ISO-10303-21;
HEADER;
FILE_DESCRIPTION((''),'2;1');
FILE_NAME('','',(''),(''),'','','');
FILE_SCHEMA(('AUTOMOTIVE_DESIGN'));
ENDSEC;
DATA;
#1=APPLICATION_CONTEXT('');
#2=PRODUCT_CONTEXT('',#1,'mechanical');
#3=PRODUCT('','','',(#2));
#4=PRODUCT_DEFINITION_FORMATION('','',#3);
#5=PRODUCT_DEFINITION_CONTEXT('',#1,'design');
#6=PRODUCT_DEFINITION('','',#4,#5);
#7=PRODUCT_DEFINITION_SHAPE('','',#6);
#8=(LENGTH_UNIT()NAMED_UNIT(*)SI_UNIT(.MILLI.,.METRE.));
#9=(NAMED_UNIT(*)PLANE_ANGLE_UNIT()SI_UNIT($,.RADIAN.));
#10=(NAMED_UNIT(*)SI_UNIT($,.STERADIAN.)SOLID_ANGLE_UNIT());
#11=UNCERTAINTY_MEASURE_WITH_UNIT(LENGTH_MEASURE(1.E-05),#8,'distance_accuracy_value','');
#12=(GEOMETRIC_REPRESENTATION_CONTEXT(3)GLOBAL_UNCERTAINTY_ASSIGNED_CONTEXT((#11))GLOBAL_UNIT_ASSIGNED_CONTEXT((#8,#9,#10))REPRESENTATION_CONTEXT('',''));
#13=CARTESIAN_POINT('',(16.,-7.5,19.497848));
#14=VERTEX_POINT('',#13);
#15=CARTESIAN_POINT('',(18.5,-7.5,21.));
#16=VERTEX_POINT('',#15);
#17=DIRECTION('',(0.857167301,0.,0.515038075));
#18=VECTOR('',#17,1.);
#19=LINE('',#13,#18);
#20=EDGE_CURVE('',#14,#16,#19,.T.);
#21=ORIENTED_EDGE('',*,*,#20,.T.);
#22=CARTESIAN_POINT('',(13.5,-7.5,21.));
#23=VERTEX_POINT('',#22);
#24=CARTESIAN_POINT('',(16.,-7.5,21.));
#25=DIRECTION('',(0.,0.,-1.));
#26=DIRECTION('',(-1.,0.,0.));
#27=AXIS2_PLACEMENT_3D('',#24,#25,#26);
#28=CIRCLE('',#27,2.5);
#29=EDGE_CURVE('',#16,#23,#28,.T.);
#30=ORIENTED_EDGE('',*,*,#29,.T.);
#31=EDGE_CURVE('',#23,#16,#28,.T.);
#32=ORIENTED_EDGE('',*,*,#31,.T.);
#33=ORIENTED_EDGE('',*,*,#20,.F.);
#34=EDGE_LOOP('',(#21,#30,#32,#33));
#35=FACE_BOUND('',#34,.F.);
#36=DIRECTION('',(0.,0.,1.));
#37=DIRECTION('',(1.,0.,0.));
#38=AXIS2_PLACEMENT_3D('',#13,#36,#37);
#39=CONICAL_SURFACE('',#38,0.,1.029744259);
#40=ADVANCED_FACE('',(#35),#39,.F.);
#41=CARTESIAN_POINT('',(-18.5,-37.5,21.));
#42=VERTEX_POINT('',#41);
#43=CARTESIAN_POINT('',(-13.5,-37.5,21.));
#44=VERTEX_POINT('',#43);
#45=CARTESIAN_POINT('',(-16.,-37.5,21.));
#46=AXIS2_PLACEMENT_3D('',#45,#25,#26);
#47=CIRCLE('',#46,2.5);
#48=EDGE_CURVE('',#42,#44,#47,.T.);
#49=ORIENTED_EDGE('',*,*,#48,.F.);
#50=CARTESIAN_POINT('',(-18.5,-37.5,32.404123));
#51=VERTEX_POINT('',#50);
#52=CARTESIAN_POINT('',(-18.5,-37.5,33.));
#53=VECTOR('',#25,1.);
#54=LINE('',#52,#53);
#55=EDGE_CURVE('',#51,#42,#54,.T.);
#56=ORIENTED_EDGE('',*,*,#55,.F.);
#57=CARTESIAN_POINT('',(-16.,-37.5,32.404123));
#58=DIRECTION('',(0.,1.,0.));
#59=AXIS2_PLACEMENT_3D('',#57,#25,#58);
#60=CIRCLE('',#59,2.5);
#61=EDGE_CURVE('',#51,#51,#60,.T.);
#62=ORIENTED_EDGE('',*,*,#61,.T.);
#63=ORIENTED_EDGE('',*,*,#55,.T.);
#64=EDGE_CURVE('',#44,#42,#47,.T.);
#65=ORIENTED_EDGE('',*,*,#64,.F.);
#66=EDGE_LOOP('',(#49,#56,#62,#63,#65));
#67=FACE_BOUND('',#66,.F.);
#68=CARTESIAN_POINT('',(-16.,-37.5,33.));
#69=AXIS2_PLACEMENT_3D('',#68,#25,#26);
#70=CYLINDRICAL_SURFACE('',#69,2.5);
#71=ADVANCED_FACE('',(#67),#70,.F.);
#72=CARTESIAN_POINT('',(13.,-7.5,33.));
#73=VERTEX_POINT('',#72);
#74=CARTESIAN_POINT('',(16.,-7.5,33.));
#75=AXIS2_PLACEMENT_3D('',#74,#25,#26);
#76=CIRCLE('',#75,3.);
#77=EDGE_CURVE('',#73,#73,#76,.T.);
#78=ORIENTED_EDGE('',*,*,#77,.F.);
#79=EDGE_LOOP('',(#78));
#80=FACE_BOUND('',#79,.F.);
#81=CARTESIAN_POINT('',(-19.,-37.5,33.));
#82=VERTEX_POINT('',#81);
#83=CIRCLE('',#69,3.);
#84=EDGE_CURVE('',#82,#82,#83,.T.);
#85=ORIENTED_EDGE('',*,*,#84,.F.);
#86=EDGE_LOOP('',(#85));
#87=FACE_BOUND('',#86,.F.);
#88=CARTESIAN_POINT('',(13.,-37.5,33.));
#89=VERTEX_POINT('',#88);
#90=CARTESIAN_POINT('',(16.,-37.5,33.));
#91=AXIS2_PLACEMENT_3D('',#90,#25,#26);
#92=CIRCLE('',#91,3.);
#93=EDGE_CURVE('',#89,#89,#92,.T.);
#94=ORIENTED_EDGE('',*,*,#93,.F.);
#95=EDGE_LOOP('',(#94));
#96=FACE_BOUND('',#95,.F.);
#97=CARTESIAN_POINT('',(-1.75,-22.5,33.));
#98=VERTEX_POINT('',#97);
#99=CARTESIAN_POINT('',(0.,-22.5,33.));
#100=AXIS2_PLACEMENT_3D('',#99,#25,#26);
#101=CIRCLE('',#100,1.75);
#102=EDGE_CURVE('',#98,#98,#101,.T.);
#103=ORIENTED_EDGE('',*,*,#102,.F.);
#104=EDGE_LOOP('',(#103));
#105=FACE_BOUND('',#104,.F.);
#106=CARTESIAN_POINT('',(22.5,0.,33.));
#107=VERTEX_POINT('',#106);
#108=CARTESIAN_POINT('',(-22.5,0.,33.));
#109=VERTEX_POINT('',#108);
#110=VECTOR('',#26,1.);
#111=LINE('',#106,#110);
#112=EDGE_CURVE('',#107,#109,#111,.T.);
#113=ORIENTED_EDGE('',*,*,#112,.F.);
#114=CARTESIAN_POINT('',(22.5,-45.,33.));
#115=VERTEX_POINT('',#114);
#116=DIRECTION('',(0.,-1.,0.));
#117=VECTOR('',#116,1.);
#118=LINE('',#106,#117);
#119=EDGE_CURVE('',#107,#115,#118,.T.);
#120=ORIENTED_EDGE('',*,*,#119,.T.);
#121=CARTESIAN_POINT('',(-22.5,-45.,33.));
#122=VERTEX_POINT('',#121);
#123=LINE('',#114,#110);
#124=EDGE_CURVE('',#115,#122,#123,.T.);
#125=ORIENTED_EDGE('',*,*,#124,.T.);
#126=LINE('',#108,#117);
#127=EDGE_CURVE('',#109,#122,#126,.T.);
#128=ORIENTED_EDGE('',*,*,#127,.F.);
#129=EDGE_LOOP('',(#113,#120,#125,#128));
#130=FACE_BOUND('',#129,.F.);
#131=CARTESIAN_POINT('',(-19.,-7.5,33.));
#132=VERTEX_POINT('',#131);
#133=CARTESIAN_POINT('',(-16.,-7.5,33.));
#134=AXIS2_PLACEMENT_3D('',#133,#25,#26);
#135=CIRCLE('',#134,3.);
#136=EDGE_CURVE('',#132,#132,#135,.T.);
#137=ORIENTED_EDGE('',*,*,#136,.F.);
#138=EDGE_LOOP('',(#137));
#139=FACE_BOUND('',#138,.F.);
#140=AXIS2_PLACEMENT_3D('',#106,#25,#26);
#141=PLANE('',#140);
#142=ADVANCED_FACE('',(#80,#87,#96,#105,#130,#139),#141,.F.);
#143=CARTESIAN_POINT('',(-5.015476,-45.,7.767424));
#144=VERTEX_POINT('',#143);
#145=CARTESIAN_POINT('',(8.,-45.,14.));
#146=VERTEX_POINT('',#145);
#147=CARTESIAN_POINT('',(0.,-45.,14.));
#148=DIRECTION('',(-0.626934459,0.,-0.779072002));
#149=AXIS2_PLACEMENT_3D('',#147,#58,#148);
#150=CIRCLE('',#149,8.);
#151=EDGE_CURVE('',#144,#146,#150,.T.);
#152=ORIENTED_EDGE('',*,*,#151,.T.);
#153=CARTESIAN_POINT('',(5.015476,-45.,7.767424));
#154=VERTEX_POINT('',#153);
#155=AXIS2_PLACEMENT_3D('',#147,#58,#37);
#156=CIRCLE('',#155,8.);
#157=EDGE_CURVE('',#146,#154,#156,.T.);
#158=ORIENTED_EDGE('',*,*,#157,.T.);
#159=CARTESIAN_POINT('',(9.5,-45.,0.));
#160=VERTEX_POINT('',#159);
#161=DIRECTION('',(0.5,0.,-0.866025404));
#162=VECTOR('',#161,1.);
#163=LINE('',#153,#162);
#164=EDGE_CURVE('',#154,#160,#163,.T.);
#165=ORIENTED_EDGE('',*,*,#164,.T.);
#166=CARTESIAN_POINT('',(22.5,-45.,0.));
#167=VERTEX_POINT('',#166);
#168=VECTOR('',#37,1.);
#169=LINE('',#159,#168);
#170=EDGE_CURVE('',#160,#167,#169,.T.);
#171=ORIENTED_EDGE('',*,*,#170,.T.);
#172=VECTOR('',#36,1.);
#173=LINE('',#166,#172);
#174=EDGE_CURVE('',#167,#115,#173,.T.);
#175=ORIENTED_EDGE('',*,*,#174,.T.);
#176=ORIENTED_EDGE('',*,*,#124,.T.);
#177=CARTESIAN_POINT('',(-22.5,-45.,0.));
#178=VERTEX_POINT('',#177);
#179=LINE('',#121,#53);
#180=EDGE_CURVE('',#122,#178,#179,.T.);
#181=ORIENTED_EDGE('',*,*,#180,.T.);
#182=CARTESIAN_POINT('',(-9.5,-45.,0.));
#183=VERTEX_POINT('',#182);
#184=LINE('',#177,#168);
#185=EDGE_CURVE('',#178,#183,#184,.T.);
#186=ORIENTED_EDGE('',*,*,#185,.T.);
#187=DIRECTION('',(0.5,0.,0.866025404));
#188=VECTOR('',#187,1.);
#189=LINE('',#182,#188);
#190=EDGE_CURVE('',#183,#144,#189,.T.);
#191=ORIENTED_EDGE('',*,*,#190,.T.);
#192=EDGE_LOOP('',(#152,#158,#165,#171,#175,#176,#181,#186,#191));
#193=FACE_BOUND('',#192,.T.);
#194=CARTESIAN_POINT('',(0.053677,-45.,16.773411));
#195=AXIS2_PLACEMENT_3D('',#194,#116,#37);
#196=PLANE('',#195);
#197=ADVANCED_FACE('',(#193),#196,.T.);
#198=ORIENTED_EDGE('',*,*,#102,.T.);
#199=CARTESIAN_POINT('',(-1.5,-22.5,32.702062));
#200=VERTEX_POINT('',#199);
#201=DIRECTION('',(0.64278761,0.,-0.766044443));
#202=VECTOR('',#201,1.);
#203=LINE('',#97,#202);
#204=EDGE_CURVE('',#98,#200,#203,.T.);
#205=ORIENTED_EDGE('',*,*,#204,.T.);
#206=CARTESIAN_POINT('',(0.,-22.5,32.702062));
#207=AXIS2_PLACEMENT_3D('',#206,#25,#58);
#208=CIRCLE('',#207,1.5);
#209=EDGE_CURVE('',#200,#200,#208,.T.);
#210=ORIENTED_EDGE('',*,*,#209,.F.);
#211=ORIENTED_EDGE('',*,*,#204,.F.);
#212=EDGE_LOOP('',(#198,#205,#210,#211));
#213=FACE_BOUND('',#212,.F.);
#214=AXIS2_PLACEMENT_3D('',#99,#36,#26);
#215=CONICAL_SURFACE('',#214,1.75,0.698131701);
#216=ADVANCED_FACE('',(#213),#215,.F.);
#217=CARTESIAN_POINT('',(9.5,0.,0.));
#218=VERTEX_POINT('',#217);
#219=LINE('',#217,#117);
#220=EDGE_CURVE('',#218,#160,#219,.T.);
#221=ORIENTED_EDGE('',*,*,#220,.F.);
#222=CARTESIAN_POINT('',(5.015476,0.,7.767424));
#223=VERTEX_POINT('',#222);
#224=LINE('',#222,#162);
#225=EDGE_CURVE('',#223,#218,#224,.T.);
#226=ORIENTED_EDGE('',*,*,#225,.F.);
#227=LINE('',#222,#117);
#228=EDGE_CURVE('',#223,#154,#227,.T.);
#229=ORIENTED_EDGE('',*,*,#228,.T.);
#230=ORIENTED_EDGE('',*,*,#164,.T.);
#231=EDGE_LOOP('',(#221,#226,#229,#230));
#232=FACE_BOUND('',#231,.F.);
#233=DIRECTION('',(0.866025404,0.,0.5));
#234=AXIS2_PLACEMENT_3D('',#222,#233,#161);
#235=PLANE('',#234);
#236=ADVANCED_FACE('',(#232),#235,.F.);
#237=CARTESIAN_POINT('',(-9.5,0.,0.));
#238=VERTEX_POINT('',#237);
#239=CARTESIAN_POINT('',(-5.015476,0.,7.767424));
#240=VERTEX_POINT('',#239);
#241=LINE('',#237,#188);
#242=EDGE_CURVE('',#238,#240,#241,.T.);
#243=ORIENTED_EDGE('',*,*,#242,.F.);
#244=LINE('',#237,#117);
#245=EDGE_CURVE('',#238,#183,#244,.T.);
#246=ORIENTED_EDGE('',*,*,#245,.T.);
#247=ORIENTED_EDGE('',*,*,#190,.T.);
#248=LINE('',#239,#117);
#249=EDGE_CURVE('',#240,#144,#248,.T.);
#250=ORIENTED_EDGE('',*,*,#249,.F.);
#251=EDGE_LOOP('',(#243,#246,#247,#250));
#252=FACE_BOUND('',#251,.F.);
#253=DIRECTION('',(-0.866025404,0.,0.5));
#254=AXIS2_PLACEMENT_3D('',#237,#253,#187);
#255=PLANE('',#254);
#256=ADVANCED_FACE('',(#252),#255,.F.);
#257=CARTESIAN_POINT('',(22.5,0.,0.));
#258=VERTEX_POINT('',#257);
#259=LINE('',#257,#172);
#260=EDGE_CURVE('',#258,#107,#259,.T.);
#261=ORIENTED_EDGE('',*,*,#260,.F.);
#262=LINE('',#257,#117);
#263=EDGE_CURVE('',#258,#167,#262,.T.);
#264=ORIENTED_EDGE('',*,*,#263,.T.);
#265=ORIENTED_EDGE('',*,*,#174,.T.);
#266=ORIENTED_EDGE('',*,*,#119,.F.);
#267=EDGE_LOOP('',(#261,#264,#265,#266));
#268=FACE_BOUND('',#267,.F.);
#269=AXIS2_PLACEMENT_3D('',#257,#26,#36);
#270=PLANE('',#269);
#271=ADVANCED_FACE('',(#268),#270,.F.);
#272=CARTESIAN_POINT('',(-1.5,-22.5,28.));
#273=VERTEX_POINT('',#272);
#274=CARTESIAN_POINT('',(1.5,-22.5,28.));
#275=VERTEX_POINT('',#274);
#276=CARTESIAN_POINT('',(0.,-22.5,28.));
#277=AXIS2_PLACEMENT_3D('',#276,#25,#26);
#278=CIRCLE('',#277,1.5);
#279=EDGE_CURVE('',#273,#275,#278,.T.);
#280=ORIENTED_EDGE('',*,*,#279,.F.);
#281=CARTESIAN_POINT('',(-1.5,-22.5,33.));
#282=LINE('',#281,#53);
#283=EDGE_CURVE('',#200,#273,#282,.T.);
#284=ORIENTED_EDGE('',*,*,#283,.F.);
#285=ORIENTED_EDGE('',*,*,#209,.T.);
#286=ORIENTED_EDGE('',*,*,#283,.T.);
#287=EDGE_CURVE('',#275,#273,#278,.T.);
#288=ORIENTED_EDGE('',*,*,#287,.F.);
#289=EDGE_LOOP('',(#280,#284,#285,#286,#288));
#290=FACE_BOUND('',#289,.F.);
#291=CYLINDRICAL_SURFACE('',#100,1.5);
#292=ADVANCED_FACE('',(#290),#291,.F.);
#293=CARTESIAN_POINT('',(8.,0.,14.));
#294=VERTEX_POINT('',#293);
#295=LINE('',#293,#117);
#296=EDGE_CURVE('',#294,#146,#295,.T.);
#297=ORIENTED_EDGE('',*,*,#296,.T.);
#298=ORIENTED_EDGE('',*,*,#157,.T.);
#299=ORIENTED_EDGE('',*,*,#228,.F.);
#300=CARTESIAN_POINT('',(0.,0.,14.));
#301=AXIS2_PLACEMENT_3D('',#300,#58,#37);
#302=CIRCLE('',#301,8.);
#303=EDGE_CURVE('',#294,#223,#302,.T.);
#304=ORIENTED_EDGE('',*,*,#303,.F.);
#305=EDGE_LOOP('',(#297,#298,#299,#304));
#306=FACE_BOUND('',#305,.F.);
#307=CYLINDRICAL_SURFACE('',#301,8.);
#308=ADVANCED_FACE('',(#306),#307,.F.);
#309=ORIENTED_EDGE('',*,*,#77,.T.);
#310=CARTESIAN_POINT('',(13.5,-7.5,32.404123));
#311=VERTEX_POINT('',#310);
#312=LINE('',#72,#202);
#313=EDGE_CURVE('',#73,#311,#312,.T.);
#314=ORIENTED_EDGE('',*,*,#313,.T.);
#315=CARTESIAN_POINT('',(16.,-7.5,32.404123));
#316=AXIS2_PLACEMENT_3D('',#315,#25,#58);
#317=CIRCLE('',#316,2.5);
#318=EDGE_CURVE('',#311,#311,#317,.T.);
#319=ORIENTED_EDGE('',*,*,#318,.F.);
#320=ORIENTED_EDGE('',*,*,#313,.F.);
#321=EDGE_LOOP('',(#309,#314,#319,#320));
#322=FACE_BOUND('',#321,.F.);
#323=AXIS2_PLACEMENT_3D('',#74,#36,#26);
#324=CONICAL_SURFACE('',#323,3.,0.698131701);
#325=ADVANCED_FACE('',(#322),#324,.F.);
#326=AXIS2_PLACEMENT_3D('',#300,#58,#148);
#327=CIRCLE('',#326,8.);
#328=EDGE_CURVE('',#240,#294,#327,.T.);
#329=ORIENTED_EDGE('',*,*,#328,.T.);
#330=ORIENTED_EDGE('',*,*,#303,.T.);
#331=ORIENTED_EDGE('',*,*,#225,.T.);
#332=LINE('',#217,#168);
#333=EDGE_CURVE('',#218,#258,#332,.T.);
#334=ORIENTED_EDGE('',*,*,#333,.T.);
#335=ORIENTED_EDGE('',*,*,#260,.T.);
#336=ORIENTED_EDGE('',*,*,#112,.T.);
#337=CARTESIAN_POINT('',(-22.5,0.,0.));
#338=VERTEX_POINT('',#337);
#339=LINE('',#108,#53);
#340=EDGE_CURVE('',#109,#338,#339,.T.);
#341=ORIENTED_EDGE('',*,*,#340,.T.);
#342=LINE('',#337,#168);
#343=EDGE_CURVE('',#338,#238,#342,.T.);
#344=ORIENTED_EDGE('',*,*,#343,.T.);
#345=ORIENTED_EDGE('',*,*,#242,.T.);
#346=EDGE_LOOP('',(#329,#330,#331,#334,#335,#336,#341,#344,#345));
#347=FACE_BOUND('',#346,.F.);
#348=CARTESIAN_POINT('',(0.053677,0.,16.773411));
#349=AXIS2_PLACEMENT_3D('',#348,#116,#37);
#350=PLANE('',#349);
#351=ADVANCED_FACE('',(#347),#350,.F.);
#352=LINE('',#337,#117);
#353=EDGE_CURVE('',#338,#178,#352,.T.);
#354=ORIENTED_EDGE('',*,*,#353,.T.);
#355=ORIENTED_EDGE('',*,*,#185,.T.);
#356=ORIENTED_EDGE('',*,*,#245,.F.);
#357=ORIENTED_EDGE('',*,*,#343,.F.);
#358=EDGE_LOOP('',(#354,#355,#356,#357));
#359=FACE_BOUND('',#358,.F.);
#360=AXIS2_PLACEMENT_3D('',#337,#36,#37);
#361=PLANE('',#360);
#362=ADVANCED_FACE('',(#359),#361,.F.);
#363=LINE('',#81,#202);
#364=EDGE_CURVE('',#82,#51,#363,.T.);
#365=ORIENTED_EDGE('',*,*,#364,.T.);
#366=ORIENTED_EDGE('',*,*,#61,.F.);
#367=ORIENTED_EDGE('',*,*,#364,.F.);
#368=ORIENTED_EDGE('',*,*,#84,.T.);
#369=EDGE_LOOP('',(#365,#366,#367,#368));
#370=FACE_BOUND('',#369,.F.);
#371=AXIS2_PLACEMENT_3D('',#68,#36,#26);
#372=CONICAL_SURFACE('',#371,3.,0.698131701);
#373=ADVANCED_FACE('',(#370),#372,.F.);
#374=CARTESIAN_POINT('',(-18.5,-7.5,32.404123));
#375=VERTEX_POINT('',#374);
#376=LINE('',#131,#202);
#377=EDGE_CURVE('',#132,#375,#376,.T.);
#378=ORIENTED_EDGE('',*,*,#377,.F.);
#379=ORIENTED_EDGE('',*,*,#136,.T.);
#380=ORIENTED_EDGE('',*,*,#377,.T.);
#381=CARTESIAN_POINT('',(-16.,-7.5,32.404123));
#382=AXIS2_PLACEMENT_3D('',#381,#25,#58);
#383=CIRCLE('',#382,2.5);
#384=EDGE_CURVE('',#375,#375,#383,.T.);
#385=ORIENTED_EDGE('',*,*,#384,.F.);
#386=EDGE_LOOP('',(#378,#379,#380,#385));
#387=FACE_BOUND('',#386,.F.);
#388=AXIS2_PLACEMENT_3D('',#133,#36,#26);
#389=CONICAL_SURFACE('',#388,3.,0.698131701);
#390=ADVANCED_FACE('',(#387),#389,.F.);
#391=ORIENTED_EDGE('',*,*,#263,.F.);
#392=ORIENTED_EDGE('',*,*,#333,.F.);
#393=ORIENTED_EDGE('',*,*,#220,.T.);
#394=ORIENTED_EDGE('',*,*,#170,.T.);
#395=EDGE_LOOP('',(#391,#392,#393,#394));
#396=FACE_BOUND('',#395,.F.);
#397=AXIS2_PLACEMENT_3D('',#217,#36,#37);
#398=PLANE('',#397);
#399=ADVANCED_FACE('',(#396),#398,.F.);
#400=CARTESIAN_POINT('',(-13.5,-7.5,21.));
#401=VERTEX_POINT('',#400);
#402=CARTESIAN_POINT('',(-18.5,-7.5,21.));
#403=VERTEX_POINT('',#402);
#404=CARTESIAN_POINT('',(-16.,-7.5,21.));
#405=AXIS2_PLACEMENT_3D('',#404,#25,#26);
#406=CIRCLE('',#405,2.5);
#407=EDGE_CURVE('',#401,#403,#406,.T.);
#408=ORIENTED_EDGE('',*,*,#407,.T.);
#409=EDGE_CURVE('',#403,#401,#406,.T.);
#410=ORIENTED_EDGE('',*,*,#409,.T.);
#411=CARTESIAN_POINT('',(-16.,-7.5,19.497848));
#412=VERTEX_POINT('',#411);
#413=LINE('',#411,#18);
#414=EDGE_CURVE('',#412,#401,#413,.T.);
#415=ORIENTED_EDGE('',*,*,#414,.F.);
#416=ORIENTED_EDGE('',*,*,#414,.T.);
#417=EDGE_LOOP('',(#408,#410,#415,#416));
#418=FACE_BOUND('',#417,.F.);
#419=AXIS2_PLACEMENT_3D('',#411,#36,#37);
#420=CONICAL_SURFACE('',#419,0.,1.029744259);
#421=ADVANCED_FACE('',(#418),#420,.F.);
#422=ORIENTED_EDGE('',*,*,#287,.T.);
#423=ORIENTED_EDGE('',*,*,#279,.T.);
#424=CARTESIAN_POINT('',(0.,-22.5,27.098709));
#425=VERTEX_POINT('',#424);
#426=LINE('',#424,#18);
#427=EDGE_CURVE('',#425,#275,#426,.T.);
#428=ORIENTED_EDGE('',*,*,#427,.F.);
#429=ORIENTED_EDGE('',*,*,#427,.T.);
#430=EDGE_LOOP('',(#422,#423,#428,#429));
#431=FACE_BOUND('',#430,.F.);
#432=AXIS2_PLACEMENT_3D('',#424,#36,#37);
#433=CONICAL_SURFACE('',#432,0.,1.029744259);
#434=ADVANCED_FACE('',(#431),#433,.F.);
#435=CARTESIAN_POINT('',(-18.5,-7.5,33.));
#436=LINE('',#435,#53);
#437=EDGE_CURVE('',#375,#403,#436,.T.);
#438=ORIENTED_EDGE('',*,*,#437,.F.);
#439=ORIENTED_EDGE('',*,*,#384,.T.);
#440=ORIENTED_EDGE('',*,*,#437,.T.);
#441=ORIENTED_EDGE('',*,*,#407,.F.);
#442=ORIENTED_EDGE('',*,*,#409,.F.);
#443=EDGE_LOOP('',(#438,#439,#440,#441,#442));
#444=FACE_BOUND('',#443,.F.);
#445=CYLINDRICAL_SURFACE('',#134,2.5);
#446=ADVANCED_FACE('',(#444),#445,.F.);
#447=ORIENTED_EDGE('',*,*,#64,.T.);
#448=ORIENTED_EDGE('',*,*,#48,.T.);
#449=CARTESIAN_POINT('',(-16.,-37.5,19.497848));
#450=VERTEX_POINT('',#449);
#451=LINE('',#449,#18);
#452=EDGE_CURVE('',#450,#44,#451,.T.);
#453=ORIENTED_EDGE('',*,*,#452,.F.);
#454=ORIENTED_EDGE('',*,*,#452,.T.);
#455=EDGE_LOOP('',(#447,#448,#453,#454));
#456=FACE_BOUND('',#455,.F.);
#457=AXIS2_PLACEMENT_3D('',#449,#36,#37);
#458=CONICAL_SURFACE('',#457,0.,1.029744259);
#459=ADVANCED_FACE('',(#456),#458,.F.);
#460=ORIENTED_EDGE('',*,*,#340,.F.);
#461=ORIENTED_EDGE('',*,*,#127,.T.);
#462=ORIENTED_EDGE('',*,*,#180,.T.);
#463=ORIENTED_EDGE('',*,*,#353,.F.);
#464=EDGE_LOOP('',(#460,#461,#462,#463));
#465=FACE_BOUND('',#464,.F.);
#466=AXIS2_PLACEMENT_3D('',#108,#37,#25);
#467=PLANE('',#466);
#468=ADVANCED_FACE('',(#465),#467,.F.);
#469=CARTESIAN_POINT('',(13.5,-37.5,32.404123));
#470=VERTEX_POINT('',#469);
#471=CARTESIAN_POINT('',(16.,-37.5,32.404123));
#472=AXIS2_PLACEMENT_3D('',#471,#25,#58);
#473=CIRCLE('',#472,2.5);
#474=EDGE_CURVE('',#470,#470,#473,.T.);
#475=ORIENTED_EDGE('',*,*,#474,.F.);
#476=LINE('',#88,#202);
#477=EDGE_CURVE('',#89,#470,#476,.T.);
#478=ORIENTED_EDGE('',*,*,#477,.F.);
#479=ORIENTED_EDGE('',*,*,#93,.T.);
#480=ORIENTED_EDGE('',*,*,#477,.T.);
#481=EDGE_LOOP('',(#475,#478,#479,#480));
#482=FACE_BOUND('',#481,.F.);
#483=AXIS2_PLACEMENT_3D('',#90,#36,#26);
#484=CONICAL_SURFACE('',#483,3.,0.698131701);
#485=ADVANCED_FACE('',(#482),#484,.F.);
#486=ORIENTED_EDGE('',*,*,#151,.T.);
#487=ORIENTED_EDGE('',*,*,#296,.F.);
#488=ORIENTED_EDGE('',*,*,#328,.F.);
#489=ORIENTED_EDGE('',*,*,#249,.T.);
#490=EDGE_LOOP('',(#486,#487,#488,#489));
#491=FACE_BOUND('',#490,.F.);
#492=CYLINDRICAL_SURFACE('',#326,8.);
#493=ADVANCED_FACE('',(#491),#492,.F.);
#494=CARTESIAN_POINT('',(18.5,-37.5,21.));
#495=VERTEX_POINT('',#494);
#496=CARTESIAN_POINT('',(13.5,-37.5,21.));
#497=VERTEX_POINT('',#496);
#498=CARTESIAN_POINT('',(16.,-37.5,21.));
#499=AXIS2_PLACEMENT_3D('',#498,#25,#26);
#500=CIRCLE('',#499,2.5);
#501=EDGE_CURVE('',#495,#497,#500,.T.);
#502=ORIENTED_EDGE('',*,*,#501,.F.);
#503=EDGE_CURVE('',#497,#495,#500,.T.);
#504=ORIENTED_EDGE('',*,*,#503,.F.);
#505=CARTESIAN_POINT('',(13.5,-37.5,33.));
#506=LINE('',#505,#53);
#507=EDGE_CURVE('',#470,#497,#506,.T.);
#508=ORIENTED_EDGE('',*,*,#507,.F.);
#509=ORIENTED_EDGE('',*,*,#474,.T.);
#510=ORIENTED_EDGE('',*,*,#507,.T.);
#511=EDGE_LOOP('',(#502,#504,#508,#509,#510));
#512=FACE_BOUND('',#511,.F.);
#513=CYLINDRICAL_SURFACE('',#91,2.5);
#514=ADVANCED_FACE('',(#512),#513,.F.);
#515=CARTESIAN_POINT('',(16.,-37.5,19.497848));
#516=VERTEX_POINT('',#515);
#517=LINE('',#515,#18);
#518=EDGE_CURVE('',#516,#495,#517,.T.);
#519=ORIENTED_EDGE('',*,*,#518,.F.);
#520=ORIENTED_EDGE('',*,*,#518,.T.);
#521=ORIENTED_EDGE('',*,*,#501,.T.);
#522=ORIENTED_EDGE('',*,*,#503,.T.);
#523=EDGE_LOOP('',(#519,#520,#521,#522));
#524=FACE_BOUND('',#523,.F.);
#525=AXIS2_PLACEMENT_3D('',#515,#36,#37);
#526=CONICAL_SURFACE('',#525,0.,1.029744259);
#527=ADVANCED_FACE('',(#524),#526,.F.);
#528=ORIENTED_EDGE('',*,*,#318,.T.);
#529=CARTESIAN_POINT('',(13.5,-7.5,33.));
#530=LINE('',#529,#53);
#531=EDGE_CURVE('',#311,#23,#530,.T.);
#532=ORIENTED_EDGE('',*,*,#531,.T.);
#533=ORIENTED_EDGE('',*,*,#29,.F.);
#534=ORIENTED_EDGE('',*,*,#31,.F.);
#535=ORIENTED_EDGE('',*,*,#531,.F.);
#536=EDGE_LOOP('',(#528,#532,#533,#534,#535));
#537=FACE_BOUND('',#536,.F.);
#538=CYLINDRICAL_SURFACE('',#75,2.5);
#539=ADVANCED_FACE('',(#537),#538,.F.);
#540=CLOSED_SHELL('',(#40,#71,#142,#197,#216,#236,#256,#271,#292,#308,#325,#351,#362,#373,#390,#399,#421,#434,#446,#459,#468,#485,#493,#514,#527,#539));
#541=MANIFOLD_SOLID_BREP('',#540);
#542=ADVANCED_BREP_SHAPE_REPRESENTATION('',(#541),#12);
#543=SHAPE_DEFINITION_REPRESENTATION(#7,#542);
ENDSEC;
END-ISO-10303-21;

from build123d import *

# Parameters (mm, degrees)
F1_DEPTH       = 45
F5_D           = 5
F5_DEPTH       = 12
F5_CSINK_D     = 6
F5_CSINK_ANGLE = 80
F5_TIP         = 1.5021515476
F6_D           = 3
F6_DEPTH       = 5
F6_CSINK_D     = 3.5
F6_CSINK_ANGLE = 80
F6_TIP         = 0.9012909285


with BuildPart() as f1:
    # F0 (on Front) → F1 (new body)
    with BuildSketch(Plane.XZ):
        with BuildLine():
            Line((9.5, 0), (22.5, 0))
            Line((22.5, 0), (22.5, 33))
            Line((22.5, 33), (0, 33))
            Line((0, 33), (-22.5, 33))
            Line((-22.5, 33), (-22.5, 0))
            Line((-22.5, 0), (-9.5, 0))
            Line((-9.5, 0), (-5.0154756716, 7.7674239846))
            ThreePointArc((-5.0154756716, 7.7674239846), (-3.4551551794, 21.2153934533), (8, 14))
            ThreePointArc((8, 14), (7.2153934533, 10.5448448206), (5.0154756716, 7.7674239846))
            Line((5.0154756716, 7.7674239846), (9.5, 0))
        make_face()
    extrude(amount=F1_DEPTH)

    # F5
    with Locations(Plane.XY.offset(33)):
        with Locations((-16, -7.5), (-16, -37.5), (16, -37.5), (16, -7.5)):
            CounterSinkHole(F5_D / 2, F5_CSINK_D / 2, depth=F5_DEPTH, counter_sink_angle=F5_CSINK_ANGLE)
            with Locations((0, 0, -(F5_DEPTH + F5_TIP / 2))):  # 118° drill point
                Cone(0, F5_D / 2, F5_TIP, mode=Mode.SUBTRACT)

    # F6
    with Locations(Plane.XY.offset(33)):
        with Locations((0, -22.5)):
            CounterSinkHole(F6_D / 2, F6_CSINK_D / 2, depth=F6_DEPTH, counter_sink_angle=F6_CSINK_ANGLE)
            with Locations((0, 0, -(F6_DEPTH + F6_TIP / 2))):  # 118° drill point
                Cone(0, F6_D / 2, F6_TIP, mode=Mode.SUBTRACT)


solid = f1.part
